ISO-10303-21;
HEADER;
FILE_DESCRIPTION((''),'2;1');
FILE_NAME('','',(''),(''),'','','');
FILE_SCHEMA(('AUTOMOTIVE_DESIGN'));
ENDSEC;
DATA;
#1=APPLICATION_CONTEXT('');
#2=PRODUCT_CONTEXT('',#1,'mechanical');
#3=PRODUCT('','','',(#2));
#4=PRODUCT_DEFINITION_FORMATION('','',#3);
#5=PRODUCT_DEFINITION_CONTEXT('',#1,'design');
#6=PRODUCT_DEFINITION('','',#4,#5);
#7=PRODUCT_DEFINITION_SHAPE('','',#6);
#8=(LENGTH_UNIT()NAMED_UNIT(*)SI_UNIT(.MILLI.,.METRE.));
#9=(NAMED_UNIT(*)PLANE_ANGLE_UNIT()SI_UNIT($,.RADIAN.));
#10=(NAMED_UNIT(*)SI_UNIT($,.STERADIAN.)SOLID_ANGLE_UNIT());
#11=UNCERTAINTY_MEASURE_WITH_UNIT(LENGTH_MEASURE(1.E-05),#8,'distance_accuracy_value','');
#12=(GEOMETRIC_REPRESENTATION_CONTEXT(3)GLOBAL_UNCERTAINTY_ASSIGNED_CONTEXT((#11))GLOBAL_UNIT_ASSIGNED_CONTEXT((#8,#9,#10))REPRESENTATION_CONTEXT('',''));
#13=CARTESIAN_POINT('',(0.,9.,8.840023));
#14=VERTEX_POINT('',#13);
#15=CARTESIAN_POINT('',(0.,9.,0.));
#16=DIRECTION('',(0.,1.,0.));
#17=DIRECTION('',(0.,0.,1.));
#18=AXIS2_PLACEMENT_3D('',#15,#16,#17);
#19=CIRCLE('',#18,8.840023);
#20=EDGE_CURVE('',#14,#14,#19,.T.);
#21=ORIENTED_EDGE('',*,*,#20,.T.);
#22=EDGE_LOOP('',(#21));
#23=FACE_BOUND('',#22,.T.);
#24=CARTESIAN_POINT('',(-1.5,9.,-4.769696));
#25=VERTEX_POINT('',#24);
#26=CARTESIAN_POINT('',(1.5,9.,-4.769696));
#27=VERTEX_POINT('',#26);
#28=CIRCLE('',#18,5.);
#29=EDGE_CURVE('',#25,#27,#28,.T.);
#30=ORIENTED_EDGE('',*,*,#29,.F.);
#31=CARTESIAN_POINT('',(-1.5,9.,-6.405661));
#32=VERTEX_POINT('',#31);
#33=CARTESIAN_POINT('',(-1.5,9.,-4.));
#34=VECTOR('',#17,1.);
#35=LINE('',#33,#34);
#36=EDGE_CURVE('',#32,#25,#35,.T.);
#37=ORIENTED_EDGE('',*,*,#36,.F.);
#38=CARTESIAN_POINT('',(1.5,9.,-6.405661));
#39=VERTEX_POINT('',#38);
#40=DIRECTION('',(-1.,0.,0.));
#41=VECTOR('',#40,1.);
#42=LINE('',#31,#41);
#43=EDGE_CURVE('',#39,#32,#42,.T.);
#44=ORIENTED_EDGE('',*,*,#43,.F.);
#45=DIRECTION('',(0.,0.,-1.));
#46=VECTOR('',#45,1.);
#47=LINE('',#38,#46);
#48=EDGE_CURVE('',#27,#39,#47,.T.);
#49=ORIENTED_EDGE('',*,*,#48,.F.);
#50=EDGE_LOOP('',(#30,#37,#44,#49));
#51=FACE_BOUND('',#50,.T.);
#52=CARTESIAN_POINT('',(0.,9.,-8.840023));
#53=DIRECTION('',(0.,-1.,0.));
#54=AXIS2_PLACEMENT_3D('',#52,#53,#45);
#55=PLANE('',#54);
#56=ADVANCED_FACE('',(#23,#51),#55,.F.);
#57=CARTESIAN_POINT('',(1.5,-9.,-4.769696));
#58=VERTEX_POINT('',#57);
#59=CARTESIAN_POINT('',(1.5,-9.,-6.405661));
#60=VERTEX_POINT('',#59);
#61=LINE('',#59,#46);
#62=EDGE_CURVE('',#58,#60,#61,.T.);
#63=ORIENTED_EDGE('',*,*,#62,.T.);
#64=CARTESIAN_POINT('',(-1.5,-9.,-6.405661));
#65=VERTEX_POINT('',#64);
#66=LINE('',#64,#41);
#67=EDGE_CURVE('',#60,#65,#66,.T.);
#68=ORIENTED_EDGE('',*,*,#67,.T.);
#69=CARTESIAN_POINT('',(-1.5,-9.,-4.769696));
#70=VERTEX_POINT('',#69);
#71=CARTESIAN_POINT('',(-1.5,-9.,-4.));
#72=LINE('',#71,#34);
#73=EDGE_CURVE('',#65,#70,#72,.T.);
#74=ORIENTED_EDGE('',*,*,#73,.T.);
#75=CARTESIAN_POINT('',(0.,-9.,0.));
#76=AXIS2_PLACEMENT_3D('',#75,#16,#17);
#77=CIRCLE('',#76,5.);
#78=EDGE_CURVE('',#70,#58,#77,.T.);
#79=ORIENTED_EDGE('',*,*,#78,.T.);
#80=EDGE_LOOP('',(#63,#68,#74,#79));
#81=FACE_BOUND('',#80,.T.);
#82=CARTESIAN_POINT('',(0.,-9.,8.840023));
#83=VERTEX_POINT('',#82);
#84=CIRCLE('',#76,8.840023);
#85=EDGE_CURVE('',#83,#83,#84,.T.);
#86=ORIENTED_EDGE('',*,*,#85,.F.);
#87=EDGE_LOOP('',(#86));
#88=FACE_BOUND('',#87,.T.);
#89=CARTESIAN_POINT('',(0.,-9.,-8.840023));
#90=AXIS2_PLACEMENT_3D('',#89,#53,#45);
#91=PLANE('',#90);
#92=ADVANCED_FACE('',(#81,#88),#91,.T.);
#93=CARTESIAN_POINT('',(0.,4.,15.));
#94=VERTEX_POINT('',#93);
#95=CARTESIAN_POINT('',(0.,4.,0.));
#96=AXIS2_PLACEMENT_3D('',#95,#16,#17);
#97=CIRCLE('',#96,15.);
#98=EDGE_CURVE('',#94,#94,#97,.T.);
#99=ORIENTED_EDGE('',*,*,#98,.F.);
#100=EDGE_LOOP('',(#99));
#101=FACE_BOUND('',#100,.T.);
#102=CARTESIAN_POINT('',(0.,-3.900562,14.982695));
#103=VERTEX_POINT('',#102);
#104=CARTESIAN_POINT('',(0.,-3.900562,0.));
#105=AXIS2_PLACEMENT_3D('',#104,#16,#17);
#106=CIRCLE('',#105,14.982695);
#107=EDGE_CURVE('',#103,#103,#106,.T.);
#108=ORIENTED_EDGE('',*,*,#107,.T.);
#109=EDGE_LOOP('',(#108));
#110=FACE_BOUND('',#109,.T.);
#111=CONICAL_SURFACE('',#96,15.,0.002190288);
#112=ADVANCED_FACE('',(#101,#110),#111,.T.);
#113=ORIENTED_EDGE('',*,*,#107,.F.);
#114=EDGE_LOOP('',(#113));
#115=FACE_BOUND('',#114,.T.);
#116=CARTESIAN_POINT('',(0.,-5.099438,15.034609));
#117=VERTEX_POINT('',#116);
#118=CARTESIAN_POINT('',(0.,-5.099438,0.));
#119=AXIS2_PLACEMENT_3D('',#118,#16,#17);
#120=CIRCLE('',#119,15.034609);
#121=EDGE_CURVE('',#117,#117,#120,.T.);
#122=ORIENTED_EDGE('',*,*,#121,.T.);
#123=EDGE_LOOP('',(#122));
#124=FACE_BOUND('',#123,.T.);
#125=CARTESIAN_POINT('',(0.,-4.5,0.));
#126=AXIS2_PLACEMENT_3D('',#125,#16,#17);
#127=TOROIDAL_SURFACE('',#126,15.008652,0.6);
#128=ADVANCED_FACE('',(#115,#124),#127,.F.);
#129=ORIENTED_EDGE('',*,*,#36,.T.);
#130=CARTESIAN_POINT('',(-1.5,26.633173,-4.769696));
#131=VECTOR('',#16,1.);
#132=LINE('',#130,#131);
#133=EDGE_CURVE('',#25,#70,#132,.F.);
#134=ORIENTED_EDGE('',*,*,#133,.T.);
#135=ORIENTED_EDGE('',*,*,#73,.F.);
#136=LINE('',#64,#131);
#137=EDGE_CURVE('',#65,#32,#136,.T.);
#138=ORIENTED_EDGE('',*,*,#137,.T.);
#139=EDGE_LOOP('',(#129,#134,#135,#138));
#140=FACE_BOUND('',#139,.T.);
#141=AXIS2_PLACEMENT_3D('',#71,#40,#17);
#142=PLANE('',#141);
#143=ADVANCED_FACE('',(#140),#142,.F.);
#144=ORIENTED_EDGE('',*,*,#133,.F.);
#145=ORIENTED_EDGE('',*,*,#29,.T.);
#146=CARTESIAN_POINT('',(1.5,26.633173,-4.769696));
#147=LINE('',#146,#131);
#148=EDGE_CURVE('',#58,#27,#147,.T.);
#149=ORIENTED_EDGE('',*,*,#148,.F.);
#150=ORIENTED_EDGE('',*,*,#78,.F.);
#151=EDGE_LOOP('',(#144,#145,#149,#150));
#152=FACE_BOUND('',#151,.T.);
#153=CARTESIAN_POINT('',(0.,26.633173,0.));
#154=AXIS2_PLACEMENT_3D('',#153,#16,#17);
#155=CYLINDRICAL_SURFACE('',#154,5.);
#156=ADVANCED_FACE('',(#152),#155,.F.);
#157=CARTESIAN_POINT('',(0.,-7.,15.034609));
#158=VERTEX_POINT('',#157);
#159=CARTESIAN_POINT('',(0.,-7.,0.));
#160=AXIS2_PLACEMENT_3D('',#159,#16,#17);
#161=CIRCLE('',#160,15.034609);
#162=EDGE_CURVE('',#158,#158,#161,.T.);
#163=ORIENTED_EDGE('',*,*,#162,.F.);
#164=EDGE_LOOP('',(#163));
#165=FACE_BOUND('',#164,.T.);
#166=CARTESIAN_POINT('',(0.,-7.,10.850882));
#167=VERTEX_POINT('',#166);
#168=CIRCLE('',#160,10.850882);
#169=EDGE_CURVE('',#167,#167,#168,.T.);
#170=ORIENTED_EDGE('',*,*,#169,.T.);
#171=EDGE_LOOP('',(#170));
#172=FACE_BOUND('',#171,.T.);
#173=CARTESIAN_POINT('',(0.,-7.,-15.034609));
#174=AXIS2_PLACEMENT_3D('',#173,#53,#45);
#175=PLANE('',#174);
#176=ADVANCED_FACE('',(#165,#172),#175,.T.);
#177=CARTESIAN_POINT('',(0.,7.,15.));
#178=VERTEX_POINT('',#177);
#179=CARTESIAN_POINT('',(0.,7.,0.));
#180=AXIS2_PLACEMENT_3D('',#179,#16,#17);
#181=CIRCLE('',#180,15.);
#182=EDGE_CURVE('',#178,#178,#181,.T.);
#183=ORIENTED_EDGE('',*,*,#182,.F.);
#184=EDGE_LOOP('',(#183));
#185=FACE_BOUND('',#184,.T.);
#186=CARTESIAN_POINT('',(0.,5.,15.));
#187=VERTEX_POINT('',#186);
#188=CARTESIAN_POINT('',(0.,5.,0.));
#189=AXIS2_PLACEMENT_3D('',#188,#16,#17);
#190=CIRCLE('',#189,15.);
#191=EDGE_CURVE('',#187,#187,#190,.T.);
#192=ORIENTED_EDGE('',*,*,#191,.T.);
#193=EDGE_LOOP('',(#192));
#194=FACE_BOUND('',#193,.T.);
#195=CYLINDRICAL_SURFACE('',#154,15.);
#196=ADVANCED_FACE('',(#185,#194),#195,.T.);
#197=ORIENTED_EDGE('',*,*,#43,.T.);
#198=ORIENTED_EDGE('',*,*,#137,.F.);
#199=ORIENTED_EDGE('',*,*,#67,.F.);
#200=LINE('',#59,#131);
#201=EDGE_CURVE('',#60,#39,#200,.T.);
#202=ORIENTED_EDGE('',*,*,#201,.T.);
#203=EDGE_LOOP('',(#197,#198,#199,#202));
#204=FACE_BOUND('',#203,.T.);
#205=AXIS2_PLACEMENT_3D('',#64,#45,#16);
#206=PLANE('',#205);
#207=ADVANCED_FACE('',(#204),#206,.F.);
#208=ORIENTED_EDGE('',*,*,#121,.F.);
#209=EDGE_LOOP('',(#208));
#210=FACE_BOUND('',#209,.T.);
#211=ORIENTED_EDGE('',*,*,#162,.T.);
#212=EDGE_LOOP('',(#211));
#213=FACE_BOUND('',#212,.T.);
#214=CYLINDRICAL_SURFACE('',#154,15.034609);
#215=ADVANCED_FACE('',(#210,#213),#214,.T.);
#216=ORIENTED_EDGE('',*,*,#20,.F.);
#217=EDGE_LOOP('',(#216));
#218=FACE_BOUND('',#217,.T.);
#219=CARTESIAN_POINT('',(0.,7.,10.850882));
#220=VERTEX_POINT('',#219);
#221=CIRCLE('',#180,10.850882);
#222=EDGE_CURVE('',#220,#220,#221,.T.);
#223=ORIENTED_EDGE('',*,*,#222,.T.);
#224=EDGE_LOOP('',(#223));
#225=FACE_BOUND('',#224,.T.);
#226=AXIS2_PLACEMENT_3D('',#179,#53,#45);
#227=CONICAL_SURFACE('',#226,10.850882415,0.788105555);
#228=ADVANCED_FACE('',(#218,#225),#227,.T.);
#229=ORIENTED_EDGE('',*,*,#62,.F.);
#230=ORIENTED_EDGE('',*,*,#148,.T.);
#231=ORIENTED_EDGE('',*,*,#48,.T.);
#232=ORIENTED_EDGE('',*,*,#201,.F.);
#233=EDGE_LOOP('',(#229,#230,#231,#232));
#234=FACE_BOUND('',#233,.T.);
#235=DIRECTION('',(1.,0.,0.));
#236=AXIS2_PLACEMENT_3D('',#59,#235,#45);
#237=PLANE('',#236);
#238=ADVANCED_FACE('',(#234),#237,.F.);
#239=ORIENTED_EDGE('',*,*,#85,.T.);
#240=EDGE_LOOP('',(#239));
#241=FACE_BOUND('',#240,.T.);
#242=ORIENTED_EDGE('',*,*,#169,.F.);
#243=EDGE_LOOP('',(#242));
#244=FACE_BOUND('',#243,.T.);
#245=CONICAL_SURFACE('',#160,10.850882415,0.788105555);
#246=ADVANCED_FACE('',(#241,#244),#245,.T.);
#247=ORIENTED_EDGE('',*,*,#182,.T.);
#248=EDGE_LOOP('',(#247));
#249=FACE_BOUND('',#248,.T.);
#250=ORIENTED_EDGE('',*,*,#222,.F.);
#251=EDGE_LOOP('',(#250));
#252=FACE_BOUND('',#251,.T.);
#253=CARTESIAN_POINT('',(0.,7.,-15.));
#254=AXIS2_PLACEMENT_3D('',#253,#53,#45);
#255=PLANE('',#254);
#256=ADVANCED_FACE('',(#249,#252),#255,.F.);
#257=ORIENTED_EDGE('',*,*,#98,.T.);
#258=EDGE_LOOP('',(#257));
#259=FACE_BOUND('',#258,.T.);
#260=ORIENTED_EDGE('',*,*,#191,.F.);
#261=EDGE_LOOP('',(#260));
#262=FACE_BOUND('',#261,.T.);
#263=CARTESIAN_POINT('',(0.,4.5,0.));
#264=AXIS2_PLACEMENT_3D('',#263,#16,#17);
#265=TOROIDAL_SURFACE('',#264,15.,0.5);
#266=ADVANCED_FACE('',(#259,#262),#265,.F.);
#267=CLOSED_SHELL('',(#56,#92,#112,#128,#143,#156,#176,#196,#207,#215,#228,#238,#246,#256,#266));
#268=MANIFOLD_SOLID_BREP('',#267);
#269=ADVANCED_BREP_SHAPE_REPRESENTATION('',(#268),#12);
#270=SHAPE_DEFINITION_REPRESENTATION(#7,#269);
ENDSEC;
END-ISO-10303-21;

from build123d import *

# Parameters (mm, degrees)
SKETCH_2_W          = 3
SKETCH_2_H          = 2.405661247
CUT_EXTRUDE_1_DEPTH = 19


with BuildPart() as part:
    # Эскиз1 → Повернуть1 (revolve)
    with BuildSketch(Plane(origin=(0, 0, 0), x_dir=(0, 0, -1), z_dir=(1, 0, 0))):
        with BuildLine():
            Line((15, 7), (15, 5))
            ThreePointArc((15, 5), (14.5, 4.5), (15, 4))
            Line((15, 4), (14.982695469, -3.900561726))
            ThreePointArc((14.982695469, -3.900561726), (14.409213991, -4.525956797), (15.034609063, -5.099438274))
            Line((15.034609063, -5.099438274), (15.034609063, -7))
            Line((15.034609063, -7), (10.850882415, -7))
            Line((10.850882415, -7), (8.840023423, -9))
            Line((8.840023423, -9), (5, -9))
            Line((5, -9), (5, 9))
            Line((5, 9), (8.840023423, 9))
            Line((8.840023423, 9), (10.850882415, 7))
            Line((10.850882415, 7), (15, 7))
        make_face()
    revolve(axis=Axis((0, 26.633173064, 0), (0, -1, 0)))

    # Эскиз2 → Вырез-Вытянуть1 (cut, through all)
    with BuildSketch(Plane(origin=(0, 9, 0), x_dir=(1, 0, 0), z_dir=(0, 1, 0))):
        with Locations((0, 5.202830624)):
            Rectangle(SKETCH_2_W, SKETCH_2_H)
    extrude(amount=-CUT_EXTRUDE_1_DEPTH, mode=Mode.SUBTRACT)


solid = part.part
